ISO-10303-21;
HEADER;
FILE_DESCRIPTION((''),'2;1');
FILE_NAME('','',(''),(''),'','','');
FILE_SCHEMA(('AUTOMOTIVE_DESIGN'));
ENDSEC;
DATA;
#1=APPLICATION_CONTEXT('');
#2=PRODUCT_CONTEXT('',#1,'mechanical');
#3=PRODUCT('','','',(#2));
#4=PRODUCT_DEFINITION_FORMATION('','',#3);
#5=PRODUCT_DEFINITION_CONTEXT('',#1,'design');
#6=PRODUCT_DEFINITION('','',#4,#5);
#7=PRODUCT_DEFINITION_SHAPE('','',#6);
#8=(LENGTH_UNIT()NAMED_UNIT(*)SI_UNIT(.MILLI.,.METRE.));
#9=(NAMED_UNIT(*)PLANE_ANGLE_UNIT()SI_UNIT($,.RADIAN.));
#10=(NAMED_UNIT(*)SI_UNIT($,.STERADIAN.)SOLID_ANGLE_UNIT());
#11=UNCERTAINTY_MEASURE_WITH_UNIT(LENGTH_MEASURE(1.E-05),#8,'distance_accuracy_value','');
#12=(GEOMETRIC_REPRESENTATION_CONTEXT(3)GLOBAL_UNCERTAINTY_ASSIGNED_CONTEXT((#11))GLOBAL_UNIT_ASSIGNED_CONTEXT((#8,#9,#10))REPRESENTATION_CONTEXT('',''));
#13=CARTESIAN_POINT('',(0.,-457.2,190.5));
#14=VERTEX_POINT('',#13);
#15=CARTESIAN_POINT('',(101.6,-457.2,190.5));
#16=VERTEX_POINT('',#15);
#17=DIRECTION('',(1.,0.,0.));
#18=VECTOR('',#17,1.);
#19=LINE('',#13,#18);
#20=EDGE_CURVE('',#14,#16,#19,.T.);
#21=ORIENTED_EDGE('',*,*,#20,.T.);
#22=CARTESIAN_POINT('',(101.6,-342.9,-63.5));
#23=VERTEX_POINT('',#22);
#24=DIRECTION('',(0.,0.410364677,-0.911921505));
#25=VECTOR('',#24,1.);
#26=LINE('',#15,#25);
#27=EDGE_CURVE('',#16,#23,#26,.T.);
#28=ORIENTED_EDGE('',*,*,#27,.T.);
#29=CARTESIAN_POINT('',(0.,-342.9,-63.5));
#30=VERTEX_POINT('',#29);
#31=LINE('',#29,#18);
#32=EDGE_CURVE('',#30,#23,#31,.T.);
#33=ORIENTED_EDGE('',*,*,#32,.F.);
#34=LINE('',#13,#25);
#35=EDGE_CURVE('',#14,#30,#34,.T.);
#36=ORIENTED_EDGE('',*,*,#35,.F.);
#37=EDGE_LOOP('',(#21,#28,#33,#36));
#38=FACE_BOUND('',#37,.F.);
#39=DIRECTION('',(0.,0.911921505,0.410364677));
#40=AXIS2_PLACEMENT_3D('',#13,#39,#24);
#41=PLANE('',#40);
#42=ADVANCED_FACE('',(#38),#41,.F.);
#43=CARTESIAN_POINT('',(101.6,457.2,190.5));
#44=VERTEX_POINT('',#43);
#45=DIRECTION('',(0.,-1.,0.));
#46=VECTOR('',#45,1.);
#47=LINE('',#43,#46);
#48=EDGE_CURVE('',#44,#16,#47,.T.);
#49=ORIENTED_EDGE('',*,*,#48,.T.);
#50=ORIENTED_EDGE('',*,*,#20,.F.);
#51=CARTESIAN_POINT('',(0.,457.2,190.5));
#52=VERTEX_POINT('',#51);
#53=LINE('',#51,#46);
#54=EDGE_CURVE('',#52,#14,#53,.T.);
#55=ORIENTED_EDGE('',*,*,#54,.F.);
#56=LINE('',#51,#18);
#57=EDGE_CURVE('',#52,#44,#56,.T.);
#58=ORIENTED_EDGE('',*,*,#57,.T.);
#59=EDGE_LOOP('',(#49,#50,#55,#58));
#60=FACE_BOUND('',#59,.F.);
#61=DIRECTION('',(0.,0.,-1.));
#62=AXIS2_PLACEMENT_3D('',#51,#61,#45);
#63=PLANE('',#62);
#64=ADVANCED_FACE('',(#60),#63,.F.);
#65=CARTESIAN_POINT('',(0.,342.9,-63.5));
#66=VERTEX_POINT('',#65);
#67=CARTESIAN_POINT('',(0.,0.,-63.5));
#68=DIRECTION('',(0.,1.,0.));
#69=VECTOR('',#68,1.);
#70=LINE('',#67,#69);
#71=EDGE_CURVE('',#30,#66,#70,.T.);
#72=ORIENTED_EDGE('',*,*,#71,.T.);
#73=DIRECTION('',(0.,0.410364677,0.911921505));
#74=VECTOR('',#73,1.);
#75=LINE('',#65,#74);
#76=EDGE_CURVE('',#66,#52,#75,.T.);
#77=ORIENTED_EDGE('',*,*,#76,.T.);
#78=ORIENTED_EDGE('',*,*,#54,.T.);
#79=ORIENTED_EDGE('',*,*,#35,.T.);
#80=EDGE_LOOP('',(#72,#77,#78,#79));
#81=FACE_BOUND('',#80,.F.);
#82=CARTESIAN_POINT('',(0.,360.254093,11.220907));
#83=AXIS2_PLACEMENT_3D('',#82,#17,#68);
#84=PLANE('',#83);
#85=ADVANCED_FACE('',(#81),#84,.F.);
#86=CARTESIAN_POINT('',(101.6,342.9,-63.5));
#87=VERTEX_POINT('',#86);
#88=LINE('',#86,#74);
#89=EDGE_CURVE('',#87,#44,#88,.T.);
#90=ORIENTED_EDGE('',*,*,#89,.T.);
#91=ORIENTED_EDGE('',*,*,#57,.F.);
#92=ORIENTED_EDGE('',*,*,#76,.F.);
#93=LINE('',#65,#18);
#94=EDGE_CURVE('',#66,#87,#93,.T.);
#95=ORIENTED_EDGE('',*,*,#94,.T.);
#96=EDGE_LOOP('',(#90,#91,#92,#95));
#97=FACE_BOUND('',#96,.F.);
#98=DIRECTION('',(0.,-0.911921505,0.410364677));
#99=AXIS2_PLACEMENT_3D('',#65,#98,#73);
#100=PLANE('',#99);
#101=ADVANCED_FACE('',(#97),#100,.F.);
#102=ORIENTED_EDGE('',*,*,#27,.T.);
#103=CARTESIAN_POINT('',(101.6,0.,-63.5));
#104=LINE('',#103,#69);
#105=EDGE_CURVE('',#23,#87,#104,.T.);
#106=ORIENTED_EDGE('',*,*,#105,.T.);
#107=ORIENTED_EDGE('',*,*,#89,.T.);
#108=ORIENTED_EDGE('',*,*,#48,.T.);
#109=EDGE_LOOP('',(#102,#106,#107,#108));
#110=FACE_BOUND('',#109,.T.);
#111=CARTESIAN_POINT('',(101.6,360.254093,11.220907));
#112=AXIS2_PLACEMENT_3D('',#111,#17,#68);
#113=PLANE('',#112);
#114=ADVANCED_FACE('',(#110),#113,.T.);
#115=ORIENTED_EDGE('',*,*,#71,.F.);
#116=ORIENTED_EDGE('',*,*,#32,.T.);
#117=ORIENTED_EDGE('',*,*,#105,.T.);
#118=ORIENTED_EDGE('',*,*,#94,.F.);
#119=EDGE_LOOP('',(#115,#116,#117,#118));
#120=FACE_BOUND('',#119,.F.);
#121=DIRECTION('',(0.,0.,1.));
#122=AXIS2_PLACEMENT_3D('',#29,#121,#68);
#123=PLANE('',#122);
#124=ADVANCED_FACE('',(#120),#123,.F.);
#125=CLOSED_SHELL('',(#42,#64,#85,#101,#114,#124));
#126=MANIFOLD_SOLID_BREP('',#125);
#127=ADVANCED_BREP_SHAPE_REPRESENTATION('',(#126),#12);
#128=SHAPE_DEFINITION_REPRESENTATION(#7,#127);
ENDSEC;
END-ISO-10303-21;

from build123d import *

# Parameters (mm, degrees)
F0_W     = 685.8
F0_H     = 127
F1_DEPTH = 101.6


with BuildPart() as f1:
    # F0 (on Right) → F1 (new body)
    with BuildSketch(Plane.YZ):
        Polygon((400.05, 63.5), (342.9, 63.5), (342.9, -63.5), align=None)
        Polygon((-342.9, -63.5), (-342.9, 63.5), (-400.05, 63.5), align=None)
        Rectangle(F0_W, F0_H)
        Polygon((-342.9, 63.5), (342.9, 63.5), (400.05, 63.5), (457.2, 190.5), (-457.2, 190.5), (-400.05, 63.5), align=None)
    extrude(amount=F1_DEPTH)


solid = f1.part
